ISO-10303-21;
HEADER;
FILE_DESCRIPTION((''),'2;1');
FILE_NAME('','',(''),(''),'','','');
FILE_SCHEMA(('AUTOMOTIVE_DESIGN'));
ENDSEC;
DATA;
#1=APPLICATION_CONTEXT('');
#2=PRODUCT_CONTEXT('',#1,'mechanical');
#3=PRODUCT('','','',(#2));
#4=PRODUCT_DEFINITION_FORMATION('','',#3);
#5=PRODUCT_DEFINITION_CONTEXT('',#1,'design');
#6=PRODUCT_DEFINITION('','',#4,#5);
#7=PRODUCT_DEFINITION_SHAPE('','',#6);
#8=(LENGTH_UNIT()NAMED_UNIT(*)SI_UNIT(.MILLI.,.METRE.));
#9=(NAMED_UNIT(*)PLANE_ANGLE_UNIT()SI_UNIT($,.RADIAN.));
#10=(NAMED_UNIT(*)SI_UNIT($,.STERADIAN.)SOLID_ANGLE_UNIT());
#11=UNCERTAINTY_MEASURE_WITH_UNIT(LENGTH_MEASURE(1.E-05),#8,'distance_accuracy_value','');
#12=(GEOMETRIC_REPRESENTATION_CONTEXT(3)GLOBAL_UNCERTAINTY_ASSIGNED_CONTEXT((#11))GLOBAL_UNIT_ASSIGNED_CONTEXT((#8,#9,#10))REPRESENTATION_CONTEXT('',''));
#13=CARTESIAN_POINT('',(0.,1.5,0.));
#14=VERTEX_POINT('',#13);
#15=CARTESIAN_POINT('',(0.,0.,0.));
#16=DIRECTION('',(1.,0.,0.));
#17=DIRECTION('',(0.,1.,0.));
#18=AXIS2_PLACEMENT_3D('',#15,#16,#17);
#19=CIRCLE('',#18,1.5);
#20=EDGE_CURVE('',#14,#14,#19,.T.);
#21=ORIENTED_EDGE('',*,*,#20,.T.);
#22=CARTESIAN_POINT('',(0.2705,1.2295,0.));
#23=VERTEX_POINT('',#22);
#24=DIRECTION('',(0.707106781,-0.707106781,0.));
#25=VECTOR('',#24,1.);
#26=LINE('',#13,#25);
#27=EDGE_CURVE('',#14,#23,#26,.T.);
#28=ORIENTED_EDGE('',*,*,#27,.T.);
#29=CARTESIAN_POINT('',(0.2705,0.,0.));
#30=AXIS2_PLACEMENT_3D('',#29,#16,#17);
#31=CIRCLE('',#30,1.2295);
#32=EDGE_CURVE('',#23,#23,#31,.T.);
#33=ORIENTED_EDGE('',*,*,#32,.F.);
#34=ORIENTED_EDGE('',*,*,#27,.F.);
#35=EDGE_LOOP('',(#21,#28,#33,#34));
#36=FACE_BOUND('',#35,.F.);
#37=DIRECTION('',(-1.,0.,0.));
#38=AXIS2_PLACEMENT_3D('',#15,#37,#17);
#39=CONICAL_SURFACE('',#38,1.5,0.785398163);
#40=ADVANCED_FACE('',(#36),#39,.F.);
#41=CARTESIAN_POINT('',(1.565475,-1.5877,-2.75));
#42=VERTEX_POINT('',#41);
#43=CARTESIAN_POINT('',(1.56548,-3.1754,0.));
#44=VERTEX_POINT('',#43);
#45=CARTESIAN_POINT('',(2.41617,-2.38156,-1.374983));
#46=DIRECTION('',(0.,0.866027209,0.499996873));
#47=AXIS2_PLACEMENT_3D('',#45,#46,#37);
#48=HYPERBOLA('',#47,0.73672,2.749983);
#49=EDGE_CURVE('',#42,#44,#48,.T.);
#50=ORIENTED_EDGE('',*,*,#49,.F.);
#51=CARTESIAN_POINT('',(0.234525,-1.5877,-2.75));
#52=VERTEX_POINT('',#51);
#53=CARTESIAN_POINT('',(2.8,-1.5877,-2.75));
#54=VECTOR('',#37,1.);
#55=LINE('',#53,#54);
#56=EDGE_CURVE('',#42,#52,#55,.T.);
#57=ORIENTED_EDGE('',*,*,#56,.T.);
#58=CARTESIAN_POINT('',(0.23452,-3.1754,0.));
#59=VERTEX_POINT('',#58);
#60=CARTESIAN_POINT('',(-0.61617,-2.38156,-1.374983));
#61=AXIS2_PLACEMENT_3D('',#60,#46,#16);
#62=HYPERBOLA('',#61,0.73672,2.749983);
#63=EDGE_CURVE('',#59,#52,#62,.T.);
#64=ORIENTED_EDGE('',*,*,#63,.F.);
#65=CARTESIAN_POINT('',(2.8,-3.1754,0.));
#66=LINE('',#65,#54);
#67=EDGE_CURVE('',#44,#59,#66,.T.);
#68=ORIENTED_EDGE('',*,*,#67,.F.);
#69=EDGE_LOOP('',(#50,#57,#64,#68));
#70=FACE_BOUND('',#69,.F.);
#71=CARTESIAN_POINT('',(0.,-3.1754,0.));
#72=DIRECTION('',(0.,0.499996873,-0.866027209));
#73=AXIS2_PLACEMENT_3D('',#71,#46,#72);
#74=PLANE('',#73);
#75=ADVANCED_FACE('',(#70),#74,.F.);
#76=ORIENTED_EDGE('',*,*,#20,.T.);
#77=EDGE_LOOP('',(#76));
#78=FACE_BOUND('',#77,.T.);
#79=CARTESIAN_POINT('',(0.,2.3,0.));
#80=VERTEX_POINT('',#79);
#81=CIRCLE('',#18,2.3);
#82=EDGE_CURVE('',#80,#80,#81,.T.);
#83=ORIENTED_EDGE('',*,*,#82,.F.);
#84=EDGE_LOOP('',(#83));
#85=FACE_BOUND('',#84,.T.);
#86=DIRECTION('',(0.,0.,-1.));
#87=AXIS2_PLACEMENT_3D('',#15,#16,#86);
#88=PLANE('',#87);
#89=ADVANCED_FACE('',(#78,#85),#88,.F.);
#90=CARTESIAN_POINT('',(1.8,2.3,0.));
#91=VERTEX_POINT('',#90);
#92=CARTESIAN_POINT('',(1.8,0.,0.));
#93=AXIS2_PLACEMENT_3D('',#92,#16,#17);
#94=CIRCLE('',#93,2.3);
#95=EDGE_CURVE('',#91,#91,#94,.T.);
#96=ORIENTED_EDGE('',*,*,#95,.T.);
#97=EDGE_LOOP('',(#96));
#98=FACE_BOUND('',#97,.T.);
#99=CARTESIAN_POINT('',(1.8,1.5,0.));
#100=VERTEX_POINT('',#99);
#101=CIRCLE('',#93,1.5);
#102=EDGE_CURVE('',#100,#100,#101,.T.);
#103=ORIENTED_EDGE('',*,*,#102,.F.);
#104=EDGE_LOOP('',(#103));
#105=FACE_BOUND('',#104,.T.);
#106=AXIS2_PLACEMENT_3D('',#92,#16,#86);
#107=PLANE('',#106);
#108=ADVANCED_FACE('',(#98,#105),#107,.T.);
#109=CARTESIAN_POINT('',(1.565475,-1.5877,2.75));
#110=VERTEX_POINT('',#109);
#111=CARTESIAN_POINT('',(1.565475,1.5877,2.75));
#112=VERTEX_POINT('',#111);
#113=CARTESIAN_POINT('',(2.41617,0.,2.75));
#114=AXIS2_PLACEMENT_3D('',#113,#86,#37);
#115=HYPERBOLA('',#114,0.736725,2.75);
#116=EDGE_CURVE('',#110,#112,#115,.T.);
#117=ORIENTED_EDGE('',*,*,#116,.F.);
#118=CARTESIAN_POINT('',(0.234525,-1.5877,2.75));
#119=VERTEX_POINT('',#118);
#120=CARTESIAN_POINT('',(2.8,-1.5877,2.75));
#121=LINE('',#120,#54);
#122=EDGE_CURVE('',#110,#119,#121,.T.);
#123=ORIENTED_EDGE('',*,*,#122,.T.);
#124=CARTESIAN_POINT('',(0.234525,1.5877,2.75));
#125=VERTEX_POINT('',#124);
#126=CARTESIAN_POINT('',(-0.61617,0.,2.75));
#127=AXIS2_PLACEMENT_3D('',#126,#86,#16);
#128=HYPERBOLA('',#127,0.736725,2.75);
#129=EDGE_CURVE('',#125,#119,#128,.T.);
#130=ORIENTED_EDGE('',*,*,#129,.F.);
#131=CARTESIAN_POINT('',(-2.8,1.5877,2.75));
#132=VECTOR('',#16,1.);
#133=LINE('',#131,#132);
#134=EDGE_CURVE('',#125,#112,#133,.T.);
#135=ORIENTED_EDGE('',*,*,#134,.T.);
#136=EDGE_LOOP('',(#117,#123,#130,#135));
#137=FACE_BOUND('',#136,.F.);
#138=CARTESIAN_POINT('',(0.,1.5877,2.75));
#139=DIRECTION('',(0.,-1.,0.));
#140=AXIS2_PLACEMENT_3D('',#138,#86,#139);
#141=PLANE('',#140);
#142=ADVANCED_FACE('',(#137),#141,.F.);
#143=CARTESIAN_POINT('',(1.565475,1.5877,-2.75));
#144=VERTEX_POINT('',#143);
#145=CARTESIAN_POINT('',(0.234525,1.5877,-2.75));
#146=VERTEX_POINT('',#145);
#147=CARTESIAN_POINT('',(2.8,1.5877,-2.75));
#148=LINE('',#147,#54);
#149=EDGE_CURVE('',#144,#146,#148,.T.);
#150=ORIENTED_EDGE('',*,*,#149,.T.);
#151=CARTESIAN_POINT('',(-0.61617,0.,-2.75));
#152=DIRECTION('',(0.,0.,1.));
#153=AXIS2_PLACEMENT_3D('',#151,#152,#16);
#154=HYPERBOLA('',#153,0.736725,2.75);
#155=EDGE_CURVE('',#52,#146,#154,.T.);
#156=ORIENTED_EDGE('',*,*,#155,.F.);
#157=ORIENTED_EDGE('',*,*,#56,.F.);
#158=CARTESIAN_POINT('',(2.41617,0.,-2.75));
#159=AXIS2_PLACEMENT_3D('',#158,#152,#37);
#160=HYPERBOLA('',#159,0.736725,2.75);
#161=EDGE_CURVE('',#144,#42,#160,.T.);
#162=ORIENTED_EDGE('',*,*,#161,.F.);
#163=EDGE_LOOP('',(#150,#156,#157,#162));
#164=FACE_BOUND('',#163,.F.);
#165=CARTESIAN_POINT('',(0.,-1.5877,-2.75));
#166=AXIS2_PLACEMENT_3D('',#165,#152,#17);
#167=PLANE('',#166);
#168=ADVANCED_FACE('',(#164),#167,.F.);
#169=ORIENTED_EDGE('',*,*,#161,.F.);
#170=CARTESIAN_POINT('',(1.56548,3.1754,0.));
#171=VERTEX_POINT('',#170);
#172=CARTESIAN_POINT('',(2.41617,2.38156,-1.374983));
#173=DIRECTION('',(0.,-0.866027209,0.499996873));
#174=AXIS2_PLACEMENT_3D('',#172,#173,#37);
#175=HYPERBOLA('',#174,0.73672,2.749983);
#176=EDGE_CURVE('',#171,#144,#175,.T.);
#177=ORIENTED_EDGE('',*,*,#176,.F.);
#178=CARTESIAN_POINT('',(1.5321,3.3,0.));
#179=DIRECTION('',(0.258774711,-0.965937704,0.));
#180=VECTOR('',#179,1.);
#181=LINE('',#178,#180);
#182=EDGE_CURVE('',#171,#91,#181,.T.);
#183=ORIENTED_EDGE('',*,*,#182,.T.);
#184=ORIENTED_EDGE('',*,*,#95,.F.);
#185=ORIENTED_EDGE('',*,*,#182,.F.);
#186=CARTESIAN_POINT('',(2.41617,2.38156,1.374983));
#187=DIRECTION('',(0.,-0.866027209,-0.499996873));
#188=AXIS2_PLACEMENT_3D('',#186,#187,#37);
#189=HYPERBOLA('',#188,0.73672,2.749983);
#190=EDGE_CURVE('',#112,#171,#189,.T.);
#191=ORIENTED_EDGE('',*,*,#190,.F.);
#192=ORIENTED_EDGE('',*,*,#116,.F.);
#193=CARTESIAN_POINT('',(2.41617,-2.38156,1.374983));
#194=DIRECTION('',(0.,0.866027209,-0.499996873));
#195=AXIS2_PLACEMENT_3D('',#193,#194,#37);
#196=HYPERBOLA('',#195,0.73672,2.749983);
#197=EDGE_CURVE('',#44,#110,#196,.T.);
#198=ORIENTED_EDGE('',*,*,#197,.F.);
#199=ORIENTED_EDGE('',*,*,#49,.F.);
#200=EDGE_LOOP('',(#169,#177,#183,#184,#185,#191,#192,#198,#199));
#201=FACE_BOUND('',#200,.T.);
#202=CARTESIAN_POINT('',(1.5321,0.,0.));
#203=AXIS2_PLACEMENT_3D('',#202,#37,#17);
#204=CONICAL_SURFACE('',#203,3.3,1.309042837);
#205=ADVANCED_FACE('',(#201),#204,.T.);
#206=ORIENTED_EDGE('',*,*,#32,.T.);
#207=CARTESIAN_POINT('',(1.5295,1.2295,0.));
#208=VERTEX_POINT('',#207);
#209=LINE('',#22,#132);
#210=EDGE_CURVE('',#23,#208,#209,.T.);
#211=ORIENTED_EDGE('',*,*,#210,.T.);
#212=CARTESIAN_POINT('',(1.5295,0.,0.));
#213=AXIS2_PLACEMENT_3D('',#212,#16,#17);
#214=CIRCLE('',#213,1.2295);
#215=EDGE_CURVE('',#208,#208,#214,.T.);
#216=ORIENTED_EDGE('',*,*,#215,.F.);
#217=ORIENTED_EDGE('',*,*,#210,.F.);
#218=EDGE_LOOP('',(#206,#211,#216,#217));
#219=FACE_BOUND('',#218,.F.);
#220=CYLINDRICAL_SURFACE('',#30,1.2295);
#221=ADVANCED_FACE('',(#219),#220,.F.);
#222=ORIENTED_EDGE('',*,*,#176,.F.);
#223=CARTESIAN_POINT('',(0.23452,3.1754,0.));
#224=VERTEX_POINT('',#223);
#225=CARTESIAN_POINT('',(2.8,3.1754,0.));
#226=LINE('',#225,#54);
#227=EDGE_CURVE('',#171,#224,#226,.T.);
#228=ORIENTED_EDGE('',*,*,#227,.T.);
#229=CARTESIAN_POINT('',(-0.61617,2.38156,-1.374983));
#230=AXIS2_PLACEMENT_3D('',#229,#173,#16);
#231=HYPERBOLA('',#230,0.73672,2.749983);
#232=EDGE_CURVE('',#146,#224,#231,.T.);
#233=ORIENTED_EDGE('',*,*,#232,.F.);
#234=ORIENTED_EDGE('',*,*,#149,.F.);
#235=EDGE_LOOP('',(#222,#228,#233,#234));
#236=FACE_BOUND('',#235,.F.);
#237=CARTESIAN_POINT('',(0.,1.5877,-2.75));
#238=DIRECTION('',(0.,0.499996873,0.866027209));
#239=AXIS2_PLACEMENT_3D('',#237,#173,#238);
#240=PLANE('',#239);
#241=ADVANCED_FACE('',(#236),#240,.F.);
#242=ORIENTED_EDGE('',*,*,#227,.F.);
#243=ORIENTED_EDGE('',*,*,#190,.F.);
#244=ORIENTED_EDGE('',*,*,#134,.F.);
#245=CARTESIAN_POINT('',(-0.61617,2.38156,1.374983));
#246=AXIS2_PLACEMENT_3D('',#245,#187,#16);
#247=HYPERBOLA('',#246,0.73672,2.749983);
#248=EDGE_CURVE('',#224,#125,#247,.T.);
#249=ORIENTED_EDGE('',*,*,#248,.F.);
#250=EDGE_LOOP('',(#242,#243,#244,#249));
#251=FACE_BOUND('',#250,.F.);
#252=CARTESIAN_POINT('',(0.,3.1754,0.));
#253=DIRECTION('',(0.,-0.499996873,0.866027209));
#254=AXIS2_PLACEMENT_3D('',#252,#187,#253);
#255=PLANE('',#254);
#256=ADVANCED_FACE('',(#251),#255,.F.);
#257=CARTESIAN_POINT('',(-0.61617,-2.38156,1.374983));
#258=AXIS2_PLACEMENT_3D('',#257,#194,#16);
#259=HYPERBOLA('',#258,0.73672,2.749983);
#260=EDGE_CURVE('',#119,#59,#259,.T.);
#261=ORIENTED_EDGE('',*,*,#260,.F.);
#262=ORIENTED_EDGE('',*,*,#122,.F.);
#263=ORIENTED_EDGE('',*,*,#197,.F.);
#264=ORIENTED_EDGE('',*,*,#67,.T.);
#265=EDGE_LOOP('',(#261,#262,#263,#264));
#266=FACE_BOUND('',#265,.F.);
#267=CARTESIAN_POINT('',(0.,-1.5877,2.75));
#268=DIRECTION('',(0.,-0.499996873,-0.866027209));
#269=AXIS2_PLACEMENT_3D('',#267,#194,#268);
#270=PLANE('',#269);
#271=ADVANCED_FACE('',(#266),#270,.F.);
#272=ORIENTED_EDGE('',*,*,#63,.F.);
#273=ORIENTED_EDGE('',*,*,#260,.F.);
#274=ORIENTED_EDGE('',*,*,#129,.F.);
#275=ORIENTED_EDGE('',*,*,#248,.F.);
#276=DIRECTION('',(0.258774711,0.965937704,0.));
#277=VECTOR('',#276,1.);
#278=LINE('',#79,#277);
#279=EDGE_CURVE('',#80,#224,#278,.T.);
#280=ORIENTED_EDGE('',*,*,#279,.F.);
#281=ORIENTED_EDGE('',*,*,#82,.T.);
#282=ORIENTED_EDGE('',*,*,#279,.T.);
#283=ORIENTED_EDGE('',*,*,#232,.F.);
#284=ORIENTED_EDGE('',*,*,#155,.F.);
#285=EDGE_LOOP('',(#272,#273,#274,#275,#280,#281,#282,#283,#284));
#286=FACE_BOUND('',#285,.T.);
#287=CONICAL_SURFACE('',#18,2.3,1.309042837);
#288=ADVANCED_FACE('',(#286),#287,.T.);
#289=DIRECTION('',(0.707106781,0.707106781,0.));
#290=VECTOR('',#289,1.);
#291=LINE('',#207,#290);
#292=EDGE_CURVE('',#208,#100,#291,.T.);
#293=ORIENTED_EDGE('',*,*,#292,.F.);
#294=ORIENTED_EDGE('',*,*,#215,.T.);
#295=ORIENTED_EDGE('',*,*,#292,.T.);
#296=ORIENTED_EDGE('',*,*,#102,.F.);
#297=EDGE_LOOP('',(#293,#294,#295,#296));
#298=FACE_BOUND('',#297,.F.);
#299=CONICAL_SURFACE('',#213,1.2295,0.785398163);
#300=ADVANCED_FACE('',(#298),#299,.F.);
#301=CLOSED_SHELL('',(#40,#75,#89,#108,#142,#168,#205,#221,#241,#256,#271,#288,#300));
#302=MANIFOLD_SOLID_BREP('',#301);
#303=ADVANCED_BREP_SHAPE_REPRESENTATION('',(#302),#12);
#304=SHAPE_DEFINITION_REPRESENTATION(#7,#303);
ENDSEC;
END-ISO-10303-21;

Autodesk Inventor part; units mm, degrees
sketch "Sketch_1" plane through (0, 0, 0) normal (0, 1, 0) x (-1, 0, 0)
  line L0 (-1.8, 0) -> (0, 0)
  line L1 (0, 0) -> (0, -3.3)
  line L2 (0, -3.3) -> (-1.8, -3.3)
  line L3 (-1.8, -3.3) -> (-1.8, 0)
  line L4 (-1.8, 0) -> (0, 0)
revolve "Revolution1" add sketch "Sketch_1" angle 360 about axis through (1.8, 0, 0) along (1, 0, 0)
sketch "Sketch_3" plane through (0, 0, 0) normal (0, 0, 1) x (1, 0, 0)
  line L0 (1.8, 0) -> (0, 0)
  line L1 (-2.3, 5.5) -> (-2.3, 2.3)
  line L2 (-2.3, 2.3) -> (0, 2.3)
  line L3 (0, 2.3) -> (0.2679, 3.3)
  line L4 (0.2679, 3.3) -> (1.5321, 3.3)
  line L5 (1.5321, 3.3) -> (1.8, 2.3)
  line L6 (1.8, 2.3) -> (4.1, 2.3)
  line L7 (4.1, 2.3) -> (4.1, 5.5)
  line L8 (4.1, 5.5) -> (-2.3, 5.5)
revolve "Revolution2" cut sketch "Sketch_3" angle 360 about axis through (1.8, 0, 0) along (1, 0, 0)
sketch "Skizze_3" plane through (0, 0, 0) normal (0, 0, 1) x (1, 0, 0)
  line L0 (1.8, 0) -> (0, 0)
  line L1 (0, 0) -> (0, 1.5)
  line L2 (0, 1.5) -> (0.2705, 1.2295)
  line L3 (0.2705, 1.2295) -> (1.5295, 1.2295)
  line L4 (1.5295, 1.2295) -> (1.8, 1.5)
  line L5 (1.8, 1.5) -> (1.8, 0)
  line L6 (1.8, 0) -> (0, 0)
revolve "Revolution3" cut sketch "Skizze_3" angle 360 about axis through (1.8, 0, 0) along (1, 0, 0)
thread "Thread1" size "M3x0.5" class "6H" standard "ISO Metric profile" full length
sketch "Sketch_2" plane through (0, 0, 0) normal (1, 0, 0) x (0, 1, 0)
  line L0 (11, 11) -> (-11, 11)
  line L1 (-11, 11) -> (-11, -11)
  line L2 (-11, -11) -> (11, -11)
  line L3 (11, -11) -> (11, 11)
  line L4 (1.5877, 2.75) -> (-1.5877, 2.75)
  line L5 (-1.5877, 2.75) -> (-3.1754, 0)
  line L6 (-3.1754, 0) -> (-1.5877, -2.75)
  line L7 (-1.5877, -2.75) -> (1.5877, -2.75)
  line L8 (1.5877, -2.75) -> (3.1754, 0)
  line L9 (3.1754, 0) -> (1.5877, 2.75)
extrude "Extrusion1" cut sketch "Sketch_2" along normal mid plane 5.6
ref_plane "2CYL_XY" through (0.9, 0, 0) normal (1, 0, 0) x (0, 0, -1)
ref_plane "2CYL_YZ" through (0.9, 0, 0) normal (0, 0, -1) x (0, 1, 0)
ref_plane "2CYL_ZX" through (0.9, 0, 0) normal (0, 1, 0) x (1, 0, 0)
ref_plane "IP1_XY" through (0, 0, 0) normal (1, 0, 0) x (0, 0, -1)
ref_plane "IP1_YZ" through (0, 0, 0) normal (0, 0, -1) x (0, 1, 0)
ref_plane "IP1_ZX" through (0, 0, 0) normal (0, 1, 0) x (1, 0, 0)
ref_plane "IP2_XY" through (1.8, 0, 0) normal (1, 0, 0) x (0, 0, -1)
ref_plane "IP2_YZ" through (1.8, 0, 0) normal (0, 0, -1) x (0, 1, 0)
ref_plane "IP2_ZX" through (1.8, 0, 0) normal (0, 1, 0) x (1, 0, 0)
properties part number "ISO 4035 M3(F)"
